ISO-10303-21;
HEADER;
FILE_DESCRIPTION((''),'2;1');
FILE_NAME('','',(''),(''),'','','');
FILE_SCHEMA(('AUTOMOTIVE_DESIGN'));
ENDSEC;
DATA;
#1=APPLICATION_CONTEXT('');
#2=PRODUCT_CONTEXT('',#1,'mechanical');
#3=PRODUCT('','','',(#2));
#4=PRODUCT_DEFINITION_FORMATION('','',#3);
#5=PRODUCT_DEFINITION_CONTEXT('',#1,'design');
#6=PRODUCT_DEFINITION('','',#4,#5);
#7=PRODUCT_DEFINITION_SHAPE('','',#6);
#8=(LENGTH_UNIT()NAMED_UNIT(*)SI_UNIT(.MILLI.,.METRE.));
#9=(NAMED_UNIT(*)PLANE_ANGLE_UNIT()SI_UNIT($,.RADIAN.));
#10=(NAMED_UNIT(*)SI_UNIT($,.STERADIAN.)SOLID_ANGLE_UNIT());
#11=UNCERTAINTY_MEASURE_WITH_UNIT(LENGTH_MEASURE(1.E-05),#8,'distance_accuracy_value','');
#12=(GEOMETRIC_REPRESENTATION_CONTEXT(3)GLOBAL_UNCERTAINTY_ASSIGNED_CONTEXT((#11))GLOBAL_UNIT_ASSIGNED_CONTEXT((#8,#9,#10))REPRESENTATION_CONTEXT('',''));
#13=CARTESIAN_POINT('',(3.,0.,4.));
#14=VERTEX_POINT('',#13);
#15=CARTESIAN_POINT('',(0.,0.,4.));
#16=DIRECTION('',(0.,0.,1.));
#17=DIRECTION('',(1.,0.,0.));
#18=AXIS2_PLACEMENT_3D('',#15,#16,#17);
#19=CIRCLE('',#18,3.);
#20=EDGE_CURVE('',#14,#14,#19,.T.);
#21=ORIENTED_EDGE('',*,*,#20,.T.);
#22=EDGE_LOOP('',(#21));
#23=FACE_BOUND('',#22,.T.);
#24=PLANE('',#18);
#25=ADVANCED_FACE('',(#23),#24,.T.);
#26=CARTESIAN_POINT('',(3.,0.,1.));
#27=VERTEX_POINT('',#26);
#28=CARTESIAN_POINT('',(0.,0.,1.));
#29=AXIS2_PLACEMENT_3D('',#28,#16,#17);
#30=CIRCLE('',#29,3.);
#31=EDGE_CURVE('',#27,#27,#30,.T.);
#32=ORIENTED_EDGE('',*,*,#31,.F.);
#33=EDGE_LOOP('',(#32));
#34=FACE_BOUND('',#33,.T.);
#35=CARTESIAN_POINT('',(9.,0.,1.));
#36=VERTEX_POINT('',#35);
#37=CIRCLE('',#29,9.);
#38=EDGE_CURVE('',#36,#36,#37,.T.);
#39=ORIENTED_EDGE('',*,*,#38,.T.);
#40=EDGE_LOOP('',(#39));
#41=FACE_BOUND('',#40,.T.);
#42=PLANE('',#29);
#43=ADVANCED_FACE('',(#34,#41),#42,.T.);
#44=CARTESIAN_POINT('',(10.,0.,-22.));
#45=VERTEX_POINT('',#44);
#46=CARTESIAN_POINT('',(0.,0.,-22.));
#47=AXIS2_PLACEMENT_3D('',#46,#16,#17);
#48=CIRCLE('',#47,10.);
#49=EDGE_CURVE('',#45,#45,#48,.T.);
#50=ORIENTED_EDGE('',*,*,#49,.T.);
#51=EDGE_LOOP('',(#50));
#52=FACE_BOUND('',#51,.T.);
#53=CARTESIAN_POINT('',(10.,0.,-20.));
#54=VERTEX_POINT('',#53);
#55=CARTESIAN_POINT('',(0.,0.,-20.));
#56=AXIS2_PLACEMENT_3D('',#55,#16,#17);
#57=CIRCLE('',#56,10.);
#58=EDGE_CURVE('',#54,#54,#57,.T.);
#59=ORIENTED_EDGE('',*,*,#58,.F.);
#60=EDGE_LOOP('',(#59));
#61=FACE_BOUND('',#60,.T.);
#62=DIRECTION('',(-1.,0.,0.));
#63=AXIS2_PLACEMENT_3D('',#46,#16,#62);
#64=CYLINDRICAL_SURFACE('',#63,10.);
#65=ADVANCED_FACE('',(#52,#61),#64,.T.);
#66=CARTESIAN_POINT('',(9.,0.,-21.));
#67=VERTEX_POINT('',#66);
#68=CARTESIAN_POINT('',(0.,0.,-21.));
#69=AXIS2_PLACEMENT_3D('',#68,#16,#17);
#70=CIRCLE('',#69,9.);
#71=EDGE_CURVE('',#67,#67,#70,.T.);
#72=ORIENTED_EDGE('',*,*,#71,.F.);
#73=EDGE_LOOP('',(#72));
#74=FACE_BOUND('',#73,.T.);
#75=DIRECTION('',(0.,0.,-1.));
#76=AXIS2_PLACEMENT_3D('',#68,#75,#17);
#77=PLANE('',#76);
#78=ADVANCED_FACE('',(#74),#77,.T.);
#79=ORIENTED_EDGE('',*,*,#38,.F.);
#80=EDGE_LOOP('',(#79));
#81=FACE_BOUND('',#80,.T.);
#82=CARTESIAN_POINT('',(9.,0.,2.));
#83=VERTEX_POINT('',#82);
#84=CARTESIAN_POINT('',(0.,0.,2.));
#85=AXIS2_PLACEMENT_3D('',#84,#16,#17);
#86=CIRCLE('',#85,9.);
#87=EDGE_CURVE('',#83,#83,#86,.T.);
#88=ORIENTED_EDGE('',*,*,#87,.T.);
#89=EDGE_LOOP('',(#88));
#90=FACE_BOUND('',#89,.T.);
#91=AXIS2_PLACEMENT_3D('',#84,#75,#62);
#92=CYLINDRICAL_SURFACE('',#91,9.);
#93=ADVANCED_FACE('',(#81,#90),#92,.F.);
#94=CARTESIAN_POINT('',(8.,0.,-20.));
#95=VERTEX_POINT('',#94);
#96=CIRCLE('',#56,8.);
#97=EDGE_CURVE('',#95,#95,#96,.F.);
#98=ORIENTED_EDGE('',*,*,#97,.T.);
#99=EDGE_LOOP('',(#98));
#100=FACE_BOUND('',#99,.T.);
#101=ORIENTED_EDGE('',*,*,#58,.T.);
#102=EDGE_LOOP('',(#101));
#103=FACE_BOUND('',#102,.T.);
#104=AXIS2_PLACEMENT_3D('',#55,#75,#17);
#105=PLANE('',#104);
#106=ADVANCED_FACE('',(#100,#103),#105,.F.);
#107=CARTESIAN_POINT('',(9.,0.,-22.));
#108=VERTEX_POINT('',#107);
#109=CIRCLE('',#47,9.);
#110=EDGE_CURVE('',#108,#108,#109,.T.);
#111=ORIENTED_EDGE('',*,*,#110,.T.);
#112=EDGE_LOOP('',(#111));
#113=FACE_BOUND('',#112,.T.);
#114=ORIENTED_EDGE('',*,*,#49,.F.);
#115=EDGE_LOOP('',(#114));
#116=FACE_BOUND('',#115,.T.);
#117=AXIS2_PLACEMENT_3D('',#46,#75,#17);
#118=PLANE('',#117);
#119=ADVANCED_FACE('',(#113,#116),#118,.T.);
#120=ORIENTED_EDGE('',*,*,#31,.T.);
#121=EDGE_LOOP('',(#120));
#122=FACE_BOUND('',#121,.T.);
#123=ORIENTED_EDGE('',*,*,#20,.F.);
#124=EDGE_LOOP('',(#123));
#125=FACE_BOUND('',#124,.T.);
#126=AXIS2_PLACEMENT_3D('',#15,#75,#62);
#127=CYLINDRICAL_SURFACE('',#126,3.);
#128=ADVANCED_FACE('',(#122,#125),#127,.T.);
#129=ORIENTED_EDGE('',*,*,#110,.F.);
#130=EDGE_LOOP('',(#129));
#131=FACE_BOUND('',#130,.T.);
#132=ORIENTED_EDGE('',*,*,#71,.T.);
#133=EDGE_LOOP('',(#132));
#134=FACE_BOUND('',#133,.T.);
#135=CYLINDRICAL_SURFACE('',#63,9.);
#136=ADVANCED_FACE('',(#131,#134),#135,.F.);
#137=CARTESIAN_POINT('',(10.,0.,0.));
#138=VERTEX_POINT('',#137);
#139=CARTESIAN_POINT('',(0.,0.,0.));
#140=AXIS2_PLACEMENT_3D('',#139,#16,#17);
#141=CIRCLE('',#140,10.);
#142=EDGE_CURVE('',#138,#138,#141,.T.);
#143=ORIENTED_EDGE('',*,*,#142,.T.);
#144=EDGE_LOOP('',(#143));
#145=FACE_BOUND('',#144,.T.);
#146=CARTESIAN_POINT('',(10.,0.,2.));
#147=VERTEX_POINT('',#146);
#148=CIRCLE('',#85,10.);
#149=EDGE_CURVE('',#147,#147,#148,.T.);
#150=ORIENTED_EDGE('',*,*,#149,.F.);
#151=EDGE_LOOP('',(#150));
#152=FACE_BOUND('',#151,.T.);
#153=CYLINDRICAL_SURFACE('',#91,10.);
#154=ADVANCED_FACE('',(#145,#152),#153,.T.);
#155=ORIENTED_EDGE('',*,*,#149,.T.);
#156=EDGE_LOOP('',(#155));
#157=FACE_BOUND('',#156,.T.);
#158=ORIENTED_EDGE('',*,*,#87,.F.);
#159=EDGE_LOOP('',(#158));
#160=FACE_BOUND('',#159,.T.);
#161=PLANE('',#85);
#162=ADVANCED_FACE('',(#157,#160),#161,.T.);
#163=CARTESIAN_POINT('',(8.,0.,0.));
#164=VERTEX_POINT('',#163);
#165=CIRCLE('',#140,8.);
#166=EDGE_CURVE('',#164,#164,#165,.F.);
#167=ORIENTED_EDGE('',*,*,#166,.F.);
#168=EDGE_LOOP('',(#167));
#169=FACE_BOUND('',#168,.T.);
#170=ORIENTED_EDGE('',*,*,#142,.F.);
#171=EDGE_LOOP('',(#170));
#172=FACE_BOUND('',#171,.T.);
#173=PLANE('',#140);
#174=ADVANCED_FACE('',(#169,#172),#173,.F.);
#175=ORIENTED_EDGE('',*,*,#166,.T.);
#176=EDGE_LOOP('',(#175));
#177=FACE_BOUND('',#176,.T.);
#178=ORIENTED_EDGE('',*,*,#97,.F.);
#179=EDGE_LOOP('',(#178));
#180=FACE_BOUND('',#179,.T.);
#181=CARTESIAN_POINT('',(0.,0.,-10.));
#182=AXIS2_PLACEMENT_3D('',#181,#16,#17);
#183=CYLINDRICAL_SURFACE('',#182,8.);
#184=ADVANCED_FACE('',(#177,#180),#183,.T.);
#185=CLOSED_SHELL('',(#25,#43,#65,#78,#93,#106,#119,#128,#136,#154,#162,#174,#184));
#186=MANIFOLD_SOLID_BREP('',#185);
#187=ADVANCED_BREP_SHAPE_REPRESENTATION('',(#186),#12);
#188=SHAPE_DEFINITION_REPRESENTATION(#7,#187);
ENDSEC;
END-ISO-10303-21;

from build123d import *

# Parameters (mm, degrees)
CROQUIS1_R     = 10
EXTRUIR1_DEPTH = 2
VACIADO1_T     = -1
CROQUIS2_R     = 8
EXTRUIR2_DEPTH = 10
CROQUIS4_R     = 3
EXTRUIR4_DEPTH = 3


with BuildPart() as part:
    # Croquis1 → Extruir1 (new body)
    with BuildSketch(Plane.XY):
        Circle(CROQUIS1_R)
    extrude(amount=EXTRUIR1_DEPTH)

    # Vaciado1
    vaciado1_openings = [part.faces().sort_by_distance(p)[0] for p in [
        (0, 0, 2),
    ]]
    offset(amount=VACIADO1_T, openings=vaciado1_openings, kind=Kind.INTERSECTION)

    # Croquis2 → Extruir2 (add)
    with BuildSketch(Plane(origin=(0, 0, 0), x_dir=(-1, 0, 0), z_dir=(0, 0, -1))):
        with Locations(Location((0, 0, 0), (0, 0, 180))):  # turned: the seam where the file's is
            Circle(CROQUIS2_R)
    extrude(amount=EXTRUIR2_DEPTH)

    # Simetría3: part across plane


with BuildPart() as part_1:
    add(part.part)
    add(part.part.mirror(Plane(origin=(0, 0, -10), x_dir=(1, 0, 0), z_dir=(0, 0, -1))))

    # Croquis4 → Extruir4 (add)
    with BuildSketch(Plane.XY.offset(1)):
        Circle(CROQUIS4_R)
    extrude(amount=EXTRUIR4_DEPTH)


solid = part_1.part
